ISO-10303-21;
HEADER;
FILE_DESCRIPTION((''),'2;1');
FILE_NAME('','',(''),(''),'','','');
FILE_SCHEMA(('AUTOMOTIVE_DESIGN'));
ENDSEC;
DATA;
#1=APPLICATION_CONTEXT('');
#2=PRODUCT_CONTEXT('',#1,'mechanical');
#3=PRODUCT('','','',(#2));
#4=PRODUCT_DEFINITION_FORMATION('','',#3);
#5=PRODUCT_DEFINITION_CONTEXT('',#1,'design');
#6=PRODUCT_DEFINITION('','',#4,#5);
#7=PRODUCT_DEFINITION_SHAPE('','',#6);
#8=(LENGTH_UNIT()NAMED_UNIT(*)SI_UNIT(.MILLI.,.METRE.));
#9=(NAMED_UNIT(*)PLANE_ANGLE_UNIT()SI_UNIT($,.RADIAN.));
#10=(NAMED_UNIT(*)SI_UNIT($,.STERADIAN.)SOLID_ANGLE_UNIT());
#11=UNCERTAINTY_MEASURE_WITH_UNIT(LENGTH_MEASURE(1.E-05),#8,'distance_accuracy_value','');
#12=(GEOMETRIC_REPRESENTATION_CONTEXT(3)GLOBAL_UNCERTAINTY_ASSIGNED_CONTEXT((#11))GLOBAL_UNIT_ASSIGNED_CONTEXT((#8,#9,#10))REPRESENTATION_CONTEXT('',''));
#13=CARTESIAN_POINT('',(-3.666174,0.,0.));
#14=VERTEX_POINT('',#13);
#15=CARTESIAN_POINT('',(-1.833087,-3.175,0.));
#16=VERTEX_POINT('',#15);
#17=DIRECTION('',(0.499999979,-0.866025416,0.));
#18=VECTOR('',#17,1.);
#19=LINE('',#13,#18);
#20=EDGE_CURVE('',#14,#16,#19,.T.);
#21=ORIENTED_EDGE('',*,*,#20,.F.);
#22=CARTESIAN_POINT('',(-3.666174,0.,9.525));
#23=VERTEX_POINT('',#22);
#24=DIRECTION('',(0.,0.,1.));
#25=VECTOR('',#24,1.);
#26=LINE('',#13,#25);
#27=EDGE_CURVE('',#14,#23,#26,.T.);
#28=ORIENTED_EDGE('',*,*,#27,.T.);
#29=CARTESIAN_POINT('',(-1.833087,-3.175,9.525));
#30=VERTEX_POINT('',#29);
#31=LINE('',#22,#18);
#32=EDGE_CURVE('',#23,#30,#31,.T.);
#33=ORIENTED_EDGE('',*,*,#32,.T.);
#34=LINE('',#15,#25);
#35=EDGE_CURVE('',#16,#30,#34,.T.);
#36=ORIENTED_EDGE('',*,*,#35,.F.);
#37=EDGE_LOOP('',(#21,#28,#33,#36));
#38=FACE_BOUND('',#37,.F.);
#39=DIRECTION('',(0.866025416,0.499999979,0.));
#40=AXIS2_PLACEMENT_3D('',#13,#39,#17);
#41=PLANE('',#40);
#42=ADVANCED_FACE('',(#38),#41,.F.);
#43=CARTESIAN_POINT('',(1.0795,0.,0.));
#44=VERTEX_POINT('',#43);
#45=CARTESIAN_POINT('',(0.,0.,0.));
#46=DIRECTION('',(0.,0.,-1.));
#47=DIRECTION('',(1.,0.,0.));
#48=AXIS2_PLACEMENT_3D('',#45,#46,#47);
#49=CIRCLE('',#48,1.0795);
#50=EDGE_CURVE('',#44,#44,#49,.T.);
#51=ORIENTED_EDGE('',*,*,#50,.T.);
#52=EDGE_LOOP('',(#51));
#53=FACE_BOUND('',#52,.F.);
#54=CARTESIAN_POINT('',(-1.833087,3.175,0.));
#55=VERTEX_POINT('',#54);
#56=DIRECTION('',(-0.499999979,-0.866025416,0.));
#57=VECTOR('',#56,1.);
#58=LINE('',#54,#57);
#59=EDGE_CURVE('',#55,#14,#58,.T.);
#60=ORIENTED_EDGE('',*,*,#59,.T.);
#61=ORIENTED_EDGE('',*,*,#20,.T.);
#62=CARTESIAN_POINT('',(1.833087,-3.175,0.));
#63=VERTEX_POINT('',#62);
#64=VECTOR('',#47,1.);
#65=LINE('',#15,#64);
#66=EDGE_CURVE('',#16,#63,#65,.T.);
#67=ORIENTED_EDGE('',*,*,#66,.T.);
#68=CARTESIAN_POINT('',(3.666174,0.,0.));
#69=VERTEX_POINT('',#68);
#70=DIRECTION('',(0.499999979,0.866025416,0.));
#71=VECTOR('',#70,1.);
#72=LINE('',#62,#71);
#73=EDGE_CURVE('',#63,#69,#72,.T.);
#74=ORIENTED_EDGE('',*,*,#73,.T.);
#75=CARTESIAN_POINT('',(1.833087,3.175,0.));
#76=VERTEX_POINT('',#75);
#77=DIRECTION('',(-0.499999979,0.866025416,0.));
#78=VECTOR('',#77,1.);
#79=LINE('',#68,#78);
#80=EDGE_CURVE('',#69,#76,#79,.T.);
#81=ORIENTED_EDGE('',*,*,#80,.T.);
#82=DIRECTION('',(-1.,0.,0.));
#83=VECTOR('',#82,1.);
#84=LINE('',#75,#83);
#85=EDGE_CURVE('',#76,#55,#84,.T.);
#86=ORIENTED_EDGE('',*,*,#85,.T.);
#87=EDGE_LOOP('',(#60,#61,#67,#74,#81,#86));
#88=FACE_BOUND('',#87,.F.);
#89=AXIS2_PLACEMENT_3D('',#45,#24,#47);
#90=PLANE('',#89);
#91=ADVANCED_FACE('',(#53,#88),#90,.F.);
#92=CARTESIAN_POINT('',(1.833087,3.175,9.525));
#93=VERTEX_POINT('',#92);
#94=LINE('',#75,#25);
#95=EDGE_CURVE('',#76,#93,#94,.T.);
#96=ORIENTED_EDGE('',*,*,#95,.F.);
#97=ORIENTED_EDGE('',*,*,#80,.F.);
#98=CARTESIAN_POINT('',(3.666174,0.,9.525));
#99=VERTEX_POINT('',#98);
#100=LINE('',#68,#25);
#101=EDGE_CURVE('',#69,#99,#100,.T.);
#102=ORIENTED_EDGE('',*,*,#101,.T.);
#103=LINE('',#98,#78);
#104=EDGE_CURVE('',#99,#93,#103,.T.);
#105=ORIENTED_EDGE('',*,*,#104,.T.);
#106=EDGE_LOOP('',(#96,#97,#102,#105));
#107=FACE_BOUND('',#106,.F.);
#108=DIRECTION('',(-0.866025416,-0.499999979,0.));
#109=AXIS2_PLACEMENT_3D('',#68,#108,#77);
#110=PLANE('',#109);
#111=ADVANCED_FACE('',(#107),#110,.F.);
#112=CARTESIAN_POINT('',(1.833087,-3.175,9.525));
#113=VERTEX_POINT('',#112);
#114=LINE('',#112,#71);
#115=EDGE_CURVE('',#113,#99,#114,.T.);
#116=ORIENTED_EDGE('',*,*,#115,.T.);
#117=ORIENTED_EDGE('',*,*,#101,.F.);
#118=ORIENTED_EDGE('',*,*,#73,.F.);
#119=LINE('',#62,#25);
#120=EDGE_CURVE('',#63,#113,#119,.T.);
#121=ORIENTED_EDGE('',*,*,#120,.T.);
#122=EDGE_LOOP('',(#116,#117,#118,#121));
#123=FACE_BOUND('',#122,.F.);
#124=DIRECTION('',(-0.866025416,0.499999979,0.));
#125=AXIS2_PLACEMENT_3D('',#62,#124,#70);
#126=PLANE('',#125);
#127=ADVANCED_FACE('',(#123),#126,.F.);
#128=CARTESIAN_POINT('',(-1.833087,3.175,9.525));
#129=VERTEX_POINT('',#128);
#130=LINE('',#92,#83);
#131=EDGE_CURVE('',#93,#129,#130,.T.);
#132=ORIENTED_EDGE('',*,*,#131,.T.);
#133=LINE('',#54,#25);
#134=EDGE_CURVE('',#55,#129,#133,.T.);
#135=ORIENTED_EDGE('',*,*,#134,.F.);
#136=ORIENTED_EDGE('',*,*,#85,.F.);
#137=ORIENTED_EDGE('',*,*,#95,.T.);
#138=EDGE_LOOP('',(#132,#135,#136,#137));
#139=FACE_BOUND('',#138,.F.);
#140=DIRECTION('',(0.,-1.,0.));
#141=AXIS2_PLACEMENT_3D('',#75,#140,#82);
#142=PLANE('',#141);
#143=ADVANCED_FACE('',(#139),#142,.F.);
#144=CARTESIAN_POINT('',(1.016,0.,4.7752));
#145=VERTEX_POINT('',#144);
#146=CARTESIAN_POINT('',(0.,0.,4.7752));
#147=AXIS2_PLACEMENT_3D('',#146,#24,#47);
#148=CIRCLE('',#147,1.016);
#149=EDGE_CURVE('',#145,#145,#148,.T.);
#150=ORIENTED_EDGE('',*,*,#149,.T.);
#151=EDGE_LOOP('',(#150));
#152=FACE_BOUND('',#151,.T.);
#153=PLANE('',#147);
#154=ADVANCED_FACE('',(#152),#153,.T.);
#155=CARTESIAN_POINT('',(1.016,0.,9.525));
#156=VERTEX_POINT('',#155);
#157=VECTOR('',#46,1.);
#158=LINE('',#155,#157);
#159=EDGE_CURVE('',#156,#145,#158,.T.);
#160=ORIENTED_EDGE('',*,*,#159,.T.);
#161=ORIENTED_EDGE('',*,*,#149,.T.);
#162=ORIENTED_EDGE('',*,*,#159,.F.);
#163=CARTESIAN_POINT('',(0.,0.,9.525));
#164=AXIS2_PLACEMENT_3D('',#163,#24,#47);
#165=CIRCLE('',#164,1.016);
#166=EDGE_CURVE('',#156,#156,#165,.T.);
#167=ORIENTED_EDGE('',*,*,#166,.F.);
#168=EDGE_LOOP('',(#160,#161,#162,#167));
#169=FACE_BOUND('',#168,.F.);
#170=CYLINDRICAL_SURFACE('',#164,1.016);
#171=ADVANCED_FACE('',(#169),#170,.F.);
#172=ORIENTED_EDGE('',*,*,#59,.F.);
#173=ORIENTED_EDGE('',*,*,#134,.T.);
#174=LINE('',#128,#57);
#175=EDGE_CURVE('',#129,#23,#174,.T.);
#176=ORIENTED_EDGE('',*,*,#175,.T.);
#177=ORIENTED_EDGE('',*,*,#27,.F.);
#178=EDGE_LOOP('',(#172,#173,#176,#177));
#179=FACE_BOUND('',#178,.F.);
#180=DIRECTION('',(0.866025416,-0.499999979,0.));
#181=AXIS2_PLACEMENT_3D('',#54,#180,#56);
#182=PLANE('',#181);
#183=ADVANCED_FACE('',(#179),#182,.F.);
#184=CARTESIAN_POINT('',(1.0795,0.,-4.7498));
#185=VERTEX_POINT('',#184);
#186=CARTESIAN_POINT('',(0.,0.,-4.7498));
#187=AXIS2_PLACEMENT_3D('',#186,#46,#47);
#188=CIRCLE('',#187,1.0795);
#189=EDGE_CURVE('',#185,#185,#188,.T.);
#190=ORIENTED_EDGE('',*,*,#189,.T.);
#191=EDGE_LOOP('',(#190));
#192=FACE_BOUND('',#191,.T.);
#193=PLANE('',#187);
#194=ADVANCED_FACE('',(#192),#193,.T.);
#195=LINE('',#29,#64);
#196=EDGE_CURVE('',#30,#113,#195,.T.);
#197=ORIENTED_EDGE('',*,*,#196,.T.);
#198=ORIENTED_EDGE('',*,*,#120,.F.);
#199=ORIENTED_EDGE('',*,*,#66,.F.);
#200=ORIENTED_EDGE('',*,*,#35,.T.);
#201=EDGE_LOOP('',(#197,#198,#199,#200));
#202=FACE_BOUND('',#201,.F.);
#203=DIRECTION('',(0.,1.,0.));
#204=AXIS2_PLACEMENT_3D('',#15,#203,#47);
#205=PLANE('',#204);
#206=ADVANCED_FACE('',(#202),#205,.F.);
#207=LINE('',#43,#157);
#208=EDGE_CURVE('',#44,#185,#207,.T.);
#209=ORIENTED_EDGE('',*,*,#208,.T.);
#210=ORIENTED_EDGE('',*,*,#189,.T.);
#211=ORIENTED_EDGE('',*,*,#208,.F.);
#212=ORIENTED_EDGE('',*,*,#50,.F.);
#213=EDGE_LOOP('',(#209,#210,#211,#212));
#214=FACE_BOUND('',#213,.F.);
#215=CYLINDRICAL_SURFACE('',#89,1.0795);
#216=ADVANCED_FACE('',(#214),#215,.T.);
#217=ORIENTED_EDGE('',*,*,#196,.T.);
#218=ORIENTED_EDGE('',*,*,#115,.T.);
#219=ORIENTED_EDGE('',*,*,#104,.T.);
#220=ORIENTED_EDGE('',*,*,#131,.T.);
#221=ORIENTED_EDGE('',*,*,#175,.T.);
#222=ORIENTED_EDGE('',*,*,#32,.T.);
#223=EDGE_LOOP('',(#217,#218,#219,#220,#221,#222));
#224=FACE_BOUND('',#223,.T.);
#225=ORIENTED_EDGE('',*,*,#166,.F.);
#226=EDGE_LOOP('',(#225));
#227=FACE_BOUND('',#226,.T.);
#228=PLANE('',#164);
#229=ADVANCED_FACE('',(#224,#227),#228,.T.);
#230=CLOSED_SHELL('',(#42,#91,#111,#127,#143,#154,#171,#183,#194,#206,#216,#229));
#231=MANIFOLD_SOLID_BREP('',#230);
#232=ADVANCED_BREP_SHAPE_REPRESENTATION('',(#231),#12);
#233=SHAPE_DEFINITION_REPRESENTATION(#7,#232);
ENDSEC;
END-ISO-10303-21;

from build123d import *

# Parameters (mm, degrees)
F1_DEPTH = 9.525
F2_R     = 1.0795
F3_DEPTH = 4.7498
F4_R     = 1.016
F5_DEPTH = 4.7498


with BuildPart() as f1:
    # F0 (on Top) → F1 (new body)
    with BuildSketch(Plane.XY):
        Polygon((1.833087, -3.175), (3.666174, 0), (1.833087, 3.175), (-1.833087, 3.175), (-3.666174, 0), (-1.833087, -3.175), align=None)
    extrude(amount=F1_DEPTH)

    # F2 (on face) → F3 (join)
    with BuildSketch(Plane(origin=(0, 0, 0), x_dir=(1, 0, 0), z_dir=(0, 0, -1))):
        Circle(F2_R)
    extrude(amount=F3_DEPTH)

    # F4 (on face) → F5 (cut)
    with BuildSketch(Plane.XY.offset(9.525)):
        Circle(F4_R)
    extrude(amount=-F5_DEPTH, mode=Mode.SUBTRACT)


solid = f1.part
